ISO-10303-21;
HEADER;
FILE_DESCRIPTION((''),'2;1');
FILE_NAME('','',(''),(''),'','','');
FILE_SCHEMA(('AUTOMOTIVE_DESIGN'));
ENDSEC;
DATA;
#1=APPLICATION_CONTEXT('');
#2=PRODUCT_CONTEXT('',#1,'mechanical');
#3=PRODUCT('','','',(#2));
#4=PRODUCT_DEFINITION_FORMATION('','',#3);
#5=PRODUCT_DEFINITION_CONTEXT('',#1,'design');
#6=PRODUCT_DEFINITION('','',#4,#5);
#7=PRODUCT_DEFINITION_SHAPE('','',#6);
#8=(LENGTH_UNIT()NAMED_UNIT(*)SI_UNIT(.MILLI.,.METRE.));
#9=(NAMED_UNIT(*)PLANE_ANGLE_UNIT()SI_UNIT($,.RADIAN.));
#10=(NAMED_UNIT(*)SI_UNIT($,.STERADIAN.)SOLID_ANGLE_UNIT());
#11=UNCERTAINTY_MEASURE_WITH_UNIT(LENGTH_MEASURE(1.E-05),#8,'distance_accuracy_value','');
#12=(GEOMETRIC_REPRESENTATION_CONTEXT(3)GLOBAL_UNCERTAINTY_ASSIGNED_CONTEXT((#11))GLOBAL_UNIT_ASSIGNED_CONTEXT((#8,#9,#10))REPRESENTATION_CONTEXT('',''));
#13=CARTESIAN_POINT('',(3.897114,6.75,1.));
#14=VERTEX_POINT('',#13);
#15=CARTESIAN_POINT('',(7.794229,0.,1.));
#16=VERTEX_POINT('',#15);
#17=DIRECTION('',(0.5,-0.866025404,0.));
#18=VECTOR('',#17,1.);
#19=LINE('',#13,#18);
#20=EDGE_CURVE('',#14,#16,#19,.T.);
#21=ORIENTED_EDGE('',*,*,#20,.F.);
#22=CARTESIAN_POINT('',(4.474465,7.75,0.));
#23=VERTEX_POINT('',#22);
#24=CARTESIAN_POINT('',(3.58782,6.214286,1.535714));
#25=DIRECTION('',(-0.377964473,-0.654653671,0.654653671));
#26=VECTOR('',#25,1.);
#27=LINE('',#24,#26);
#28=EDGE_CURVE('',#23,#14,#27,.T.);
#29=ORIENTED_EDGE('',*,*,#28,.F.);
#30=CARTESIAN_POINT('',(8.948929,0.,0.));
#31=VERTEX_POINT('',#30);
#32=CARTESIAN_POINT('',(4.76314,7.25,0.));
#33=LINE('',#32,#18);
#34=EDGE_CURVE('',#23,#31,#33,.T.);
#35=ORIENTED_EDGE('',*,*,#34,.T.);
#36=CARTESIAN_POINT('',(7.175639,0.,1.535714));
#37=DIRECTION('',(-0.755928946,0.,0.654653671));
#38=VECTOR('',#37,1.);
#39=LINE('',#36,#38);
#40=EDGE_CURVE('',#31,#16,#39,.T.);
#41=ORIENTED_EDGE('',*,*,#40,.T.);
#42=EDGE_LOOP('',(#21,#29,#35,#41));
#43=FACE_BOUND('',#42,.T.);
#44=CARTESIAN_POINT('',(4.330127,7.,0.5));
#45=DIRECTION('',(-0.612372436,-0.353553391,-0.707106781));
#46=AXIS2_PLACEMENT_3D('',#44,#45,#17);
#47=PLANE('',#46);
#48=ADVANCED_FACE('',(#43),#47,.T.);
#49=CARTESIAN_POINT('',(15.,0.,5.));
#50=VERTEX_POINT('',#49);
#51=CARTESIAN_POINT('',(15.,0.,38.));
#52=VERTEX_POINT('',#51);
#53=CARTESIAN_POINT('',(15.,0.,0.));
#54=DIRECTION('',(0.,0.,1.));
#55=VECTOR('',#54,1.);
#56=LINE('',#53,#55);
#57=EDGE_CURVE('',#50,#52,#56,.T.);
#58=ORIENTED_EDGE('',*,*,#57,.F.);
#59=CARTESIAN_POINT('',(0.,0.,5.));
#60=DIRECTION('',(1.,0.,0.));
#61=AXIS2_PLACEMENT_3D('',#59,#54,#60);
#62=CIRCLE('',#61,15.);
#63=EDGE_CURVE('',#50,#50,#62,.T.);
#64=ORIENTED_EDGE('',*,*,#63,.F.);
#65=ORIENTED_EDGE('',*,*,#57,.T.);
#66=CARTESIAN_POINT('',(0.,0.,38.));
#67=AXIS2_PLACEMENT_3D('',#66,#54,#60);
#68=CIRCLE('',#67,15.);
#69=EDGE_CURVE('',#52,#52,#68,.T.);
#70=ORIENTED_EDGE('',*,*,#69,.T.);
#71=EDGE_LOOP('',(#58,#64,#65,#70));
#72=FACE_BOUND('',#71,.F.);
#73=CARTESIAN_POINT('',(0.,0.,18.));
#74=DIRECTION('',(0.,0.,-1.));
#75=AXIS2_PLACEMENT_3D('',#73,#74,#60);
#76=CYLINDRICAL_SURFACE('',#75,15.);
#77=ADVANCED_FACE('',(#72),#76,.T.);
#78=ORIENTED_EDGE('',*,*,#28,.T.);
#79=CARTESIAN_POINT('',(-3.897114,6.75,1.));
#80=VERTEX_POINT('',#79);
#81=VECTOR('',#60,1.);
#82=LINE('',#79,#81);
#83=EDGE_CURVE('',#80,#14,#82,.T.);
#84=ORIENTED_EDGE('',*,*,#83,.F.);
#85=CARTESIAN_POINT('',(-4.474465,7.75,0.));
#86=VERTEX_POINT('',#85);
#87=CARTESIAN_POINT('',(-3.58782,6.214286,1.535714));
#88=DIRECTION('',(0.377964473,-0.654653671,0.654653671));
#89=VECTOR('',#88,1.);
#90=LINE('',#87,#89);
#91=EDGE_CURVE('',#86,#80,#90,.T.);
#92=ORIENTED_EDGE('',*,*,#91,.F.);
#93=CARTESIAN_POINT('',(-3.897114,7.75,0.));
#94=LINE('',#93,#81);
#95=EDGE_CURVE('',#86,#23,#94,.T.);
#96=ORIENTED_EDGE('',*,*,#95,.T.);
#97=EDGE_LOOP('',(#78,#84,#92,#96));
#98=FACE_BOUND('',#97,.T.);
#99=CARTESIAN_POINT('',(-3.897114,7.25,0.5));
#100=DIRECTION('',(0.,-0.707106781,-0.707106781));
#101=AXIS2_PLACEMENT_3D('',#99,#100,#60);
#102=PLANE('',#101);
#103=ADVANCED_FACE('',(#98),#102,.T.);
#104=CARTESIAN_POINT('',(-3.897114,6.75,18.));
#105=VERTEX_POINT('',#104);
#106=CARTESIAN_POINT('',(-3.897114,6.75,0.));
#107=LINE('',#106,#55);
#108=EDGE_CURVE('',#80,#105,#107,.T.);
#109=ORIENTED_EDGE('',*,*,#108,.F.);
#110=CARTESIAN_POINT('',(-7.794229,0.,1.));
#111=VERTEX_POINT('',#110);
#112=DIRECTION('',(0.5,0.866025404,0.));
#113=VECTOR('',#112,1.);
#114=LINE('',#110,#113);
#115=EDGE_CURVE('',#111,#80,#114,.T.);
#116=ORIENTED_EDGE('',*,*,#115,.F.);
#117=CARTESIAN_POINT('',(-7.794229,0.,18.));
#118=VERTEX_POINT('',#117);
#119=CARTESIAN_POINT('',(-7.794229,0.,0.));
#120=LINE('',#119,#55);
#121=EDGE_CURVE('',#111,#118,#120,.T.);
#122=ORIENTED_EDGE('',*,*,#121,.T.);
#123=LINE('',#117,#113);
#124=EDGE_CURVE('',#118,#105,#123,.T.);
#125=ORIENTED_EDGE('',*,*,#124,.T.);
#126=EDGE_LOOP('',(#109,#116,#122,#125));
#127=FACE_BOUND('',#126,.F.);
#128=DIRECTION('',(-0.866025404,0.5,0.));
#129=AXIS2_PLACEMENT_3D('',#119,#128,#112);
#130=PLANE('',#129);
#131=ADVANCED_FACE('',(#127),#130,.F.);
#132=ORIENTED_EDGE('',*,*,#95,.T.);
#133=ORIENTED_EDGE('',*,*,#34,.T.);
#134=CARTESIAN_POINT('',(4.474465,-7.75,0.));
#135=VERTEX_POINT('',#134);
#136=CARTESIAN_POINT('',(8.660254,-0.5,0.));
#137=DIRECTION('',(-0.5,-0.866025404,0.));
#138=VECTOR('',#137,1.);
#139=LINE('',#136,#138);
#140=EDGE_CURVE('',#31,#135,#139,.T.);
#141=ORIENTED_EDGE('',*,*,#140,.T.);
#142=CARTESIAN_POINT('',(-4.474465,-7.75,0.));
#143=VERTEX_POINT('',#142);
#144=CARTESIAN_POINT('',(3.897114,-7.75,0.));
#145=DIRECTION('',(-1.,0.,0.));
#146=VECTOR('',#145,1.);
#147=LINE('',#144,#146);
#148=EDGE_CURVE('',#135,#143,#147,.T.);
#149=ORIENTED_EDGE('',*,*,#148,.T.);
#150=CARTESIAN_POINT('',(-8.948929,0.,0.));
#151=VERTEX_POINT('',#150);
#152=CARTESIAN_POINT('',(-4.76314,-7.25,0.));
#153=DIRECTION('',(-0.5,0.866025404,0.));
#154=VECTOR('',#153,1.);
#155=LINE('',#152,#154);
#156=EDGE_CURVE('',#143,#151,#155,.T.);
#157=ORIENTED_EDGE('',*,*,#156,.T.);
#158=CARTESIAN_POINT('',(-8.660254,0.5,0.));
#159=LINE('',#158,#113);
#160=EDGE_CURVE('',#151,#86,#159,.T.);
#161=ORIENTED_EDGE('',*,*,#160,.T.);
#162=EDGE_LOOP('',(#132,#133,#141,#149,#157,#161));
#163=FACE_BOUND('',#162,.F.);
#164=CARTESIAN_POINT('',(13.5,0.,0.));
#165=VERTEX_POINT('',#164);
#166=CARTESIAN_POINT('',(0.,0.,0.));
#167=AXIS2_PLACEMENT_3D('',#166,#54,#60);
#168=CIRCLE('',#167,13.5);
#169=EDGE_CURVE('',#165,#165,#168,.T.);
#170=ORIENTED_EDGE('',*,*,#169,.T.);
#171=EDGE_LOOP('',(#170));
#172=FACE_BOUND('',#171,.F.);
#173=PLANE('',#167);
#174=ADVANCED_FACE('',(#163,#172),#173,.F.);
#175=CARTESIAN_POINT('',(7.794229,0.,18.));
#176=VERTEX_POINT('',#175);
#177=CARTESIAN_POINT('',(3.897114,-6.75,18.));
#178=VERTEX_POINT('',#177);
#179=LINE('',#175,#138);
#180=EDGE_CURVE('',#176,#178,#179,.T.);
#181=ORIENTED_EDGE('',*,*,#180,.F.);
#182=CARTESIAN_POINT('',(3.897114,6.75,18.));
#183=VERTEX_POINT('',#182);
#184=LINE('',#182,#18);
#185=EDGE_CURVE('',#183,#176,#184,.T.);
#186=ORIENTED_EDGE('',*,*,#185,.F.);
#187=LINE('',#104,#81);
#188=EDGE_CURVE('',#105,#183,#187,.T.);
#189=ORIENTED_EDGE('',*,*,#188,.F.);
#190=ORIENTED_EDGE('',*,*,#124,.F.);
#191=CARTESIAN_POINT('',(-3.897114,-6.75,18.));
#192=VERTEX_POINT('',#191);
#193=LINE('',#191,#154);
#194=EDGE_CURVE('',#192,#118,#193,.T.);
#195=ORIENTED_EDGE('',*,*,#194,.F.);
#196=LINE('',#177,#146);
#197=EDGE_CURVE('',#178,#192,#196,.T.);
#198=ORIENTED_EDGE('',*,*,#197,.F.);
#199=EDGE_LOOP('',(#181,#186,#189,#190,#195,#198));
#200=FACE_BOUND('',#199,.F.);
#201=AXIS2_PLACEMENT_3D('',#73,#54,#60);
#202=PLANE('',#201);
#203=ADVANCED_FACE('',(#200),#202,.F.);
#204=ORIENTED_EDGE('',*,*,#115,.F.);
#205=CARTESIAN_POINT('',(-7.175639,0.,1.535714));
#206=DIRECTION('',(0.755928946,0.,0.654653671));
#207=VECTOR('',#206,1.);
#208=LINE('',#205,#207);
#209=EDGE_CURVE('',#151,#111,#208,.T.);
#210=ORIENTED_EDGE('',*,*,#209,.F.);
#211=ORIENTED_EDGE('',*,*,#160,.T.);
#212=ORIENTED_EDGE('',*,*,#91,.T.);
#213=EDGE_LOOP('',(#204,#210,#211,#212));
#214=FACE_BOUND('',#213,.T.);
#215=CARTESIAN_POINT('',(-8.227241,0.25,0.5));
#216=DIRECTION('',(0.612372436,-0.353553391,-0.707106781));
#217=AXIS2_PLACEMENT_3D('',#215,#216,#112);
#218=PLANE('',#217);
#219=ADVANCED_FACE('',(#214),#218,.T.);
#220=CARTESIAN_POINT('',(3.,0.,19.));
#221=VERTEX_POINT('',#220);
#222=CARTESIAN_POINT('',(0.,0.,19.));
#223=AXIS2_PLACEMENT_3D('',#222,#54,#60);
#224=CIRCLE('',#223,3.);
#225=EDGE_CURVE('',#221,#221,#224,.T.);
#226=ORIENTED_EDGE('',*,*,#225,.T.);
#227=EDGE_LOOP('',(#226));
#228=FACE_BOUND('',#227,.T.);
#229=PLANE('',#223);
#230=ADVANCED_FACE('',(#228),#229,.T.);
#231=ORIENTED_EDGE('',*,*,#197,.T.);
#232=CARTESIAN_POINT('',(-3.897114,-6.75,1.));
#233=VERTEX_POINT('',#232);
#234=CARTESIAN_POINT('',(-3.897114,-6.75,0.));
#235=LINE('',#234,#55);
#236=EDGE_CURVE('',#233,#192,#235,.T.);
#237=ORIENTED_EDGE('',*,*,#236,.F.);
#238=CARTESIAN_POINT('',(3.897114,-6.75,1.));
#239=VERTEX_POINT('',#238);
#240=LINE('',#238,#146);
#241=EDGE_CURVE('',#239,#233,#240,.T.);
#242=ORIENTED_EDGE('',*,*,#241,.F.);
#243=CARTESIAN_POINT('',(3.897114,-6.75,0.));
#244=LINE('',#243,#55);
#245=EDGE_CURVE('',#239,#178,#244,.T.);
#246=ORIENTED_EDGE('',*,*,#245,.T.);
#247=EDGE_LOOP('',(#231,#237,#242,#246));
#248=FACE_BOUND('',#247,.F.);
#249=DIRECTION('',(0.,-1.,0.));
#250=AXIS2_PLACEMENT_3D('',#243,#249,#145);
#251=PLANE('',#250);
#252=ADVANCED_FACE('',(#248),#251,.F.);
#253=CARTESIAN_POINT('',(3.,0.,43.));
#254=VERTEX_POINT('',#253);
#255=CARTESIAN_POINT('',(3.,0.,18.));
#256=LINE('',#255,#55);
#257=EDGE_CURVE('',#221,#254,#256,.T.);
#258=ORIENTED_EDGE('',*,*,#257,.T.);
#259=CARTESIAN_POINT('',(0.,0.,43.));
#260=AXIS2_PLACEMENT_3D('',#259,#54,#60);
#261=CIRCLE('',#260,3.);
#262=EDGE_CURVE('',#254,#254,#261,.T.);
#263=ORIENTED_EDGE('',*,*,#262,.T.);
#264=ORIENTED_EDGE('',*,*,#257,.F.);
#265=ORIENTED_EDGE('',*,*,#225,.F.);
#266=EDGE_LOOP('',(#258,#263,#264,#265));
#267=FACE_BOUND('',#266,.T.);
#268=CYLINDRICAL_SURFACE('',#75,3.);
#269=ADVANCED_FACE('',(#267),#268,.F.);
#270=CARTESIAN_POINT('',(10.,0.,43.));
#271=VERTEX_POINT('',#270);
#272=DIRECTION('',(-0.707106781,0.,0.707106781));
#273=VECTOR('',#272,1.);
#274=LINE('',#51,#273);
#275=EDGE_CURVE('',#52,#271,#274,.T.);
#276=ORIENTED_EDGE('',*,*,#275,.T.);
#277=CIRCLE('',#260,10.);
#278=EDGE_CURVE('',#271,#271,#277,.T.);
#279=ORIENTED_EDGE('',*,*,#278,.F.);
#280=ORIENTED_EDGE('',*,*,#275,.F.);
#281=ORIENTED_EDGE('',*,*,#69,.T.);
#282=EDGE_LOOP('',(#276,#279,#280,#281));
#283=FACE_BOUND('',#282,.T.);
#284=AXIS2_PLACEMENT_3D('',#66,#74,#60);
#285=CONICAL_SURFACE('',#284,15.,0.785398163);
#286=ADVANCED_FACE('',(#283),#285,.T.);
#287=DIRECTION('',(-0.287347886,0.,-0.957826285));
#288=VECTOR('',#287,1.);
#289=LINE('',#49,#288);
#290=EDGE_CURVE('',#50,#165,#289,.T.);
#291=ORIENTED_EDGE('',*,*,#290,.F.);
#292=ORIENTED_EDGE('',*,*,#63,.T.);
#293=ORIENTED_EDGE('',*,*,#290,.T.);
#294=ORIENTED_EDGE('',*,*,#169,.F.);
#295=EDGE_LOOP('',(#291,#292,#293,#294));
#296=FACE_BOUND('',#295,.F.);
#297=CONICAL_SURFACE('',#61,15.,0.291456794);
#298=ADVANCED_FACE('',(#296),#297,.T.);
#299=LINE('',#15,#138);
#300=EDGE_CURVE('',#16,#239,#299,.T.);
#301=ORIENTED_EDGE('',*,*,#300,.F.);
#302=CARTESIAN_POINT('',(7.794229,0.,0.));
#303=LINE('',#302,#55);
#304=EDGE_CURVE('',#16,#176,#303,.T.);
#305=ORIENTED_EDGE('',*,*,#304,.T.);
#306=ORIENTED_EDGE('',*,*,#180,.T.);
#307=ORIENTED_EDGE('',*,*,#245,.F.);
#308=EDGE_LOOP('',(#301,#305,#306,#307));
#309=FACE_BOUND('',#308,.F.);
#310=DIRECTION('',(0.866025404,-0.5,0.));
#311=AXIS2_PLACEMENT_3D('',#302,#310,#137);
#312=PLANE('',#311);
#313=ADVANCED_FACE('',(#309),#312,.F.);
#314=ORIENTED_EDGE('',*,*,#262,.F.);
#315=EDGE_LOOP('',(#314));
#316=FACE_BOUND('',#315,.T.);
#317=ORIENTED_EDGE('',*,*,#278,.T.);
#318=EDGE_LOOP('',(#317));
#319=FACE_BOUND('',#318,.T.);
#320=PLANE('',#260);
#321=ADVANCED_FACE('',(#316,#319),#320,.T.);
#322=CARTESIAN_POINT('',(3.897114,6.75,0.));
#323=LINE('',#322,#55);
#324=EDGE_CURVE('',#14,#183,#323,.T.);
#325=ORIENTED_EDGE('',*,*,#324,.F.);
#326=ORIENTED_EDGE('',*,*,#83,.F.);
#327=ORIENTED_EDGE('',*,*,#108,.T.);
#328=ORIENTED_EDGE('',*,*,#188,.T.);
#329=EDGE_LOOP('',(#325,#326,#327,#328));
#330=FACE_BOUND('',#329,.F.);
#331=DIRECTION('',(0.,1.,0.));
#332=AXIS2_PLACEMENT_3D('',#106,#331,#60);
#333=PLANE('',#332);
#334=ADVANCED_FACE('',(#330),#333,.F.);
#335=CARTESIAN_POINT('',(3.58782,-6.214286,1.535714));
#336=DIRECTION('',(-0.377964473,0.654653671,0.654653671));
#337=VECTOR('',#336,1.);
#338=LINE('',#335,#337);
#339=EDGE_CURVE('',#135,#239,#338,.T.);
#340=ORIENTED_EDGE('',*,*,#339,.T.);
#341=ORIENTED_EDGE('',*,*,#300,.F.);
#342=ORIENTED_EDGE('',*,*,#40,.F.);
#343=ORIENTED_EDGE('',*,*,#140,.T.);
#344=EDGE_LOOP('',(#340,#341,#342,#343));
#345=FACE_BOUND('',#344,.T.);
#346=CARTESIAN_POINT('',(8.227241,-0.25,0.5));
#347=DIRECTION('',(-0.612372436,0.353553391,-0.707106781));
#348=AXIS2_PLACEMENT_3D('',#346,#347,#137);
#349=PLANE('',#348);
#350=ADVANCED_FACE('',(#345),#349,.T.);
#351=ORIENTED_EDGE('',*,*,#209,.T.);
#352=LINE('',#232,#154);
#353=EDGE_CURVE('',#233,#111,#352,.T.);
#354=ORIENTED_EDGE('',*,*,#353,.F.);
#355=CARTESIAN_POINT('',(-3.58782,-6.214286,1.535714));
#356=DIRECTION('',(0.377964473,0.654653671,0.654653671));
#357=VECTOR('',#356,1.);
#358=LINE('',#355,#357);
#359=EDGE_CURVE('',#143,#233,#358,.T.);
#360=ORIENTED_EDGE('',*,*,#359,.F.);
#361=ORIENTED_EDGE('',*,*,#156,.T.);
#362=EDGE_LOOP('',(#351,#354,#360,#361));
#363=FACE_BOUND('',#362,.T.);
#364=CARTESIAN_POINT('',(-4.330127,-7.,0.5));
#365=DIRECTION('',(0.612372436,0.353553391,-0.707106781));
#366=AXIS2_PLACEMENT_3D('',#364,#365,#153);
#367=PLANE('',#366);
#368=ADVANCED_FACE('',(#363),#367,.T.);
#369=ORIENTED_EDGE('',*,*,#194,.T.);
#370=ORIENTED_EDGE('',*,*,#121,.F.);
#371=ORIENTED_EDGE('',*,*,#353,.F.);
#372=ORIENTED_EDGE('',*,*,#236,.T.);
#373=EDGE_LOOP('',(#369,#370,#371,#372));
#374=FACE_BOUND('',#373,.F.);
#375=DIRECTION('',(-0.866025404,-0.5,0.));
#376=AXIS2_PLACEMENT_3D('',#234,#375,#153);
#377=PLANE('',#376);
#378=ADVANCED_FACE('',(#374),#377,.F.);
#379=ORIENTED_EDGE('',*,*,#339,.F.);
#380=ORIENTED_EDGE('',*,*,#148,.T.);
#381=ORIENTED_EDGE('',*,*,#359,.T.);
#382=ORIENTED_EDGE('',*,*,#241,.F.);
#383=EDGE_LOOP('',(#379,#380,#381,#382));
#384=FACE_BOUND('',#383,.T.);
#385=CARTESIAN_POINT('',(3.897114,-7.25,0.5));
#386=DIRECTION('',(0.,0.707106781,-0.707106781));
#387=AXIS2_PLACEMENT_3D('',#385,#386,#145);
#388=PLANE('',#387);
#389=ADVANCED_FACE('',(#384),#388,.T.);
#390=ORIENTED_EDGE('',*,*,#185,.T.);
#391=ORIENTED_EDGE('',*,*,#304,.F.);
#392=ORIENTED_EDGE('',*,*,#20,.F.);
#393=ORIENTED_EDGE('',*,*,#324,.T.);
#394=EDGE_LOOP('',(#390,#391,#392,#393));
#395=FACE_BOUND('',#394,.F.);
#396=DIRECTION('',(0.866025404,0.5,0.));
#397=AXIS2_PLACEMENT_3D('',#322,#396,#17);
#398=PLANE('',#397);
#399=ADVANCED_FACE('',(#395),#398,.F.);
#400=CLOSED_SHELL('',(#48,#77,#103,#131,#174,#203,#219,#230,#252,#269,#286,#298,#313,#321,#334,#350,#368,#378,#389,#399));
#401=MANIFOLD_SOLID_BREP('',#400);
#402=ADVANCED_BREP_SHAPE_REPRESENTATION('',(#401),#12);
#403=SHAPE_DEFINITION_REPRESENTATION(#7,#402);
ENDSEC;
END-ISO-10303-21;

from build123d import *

# Parameters (mm, degrees)
F0_R     = 15
F1_DEPTH = 18
F2_R     = 15
F2_R_2   = 3
F3_DEPTH = 25
F4_SIZE  = 5
F5_SIZE  = 1
F6_DEPTH = 1
F7_SIZE2 = 1.5
F7_SIZE  = 5


with BuildPart() as f1:
    # F0 (on Top) → F1 (new body)
    with BuildSketch(Plane.XY):
        Circle(F0_R)
        Polygon((-7.7942286341, 0), (-3.897114317, 6.75), (3.897114317, 6.75), (7.7942286341, 0), (3.897114317, -6.75), (-3.897114317, -6.75), align=None, mode=Mode.SUBTRACT)
    extrude(amount=F1_DEPTH)

    # F2 (on face) → F3 (join)
    with BuildSketch(Plane.XY.offset(18)):
        Circle(F2_R)
        Polygon((-3.897114317, -6.75), (-7.7942286341, 0), (-3.897114317, 6.75), (3.897114317, 6.75), (7.7942286341, 0), (3.897114317, -6.75), align=None, mode=Mode.SUBTRACT)
        Polygon((-3.897114317, 6.75), (-7.7942286341, 0), (-3.897114317, -6.75), (3.897114317, -6.75), (7.7942286341, 0), (3.897114317, 6.75), align=None)
        Circle(F2_R_2, mode=Mode.SUBTRACT)
    extrude(amount=F3_DEPTH)

    # F4
    f4_edges = [f1.edges().sort_by_distance(p)[0] for p in [
        (-15, 0, 43),
    ]]
    chamfer(f4_edges, length=F4_SIZE)

    # F5
    f5_edges = [f1.edges().sort_by_distance(p)[0] for p in [
        (0, -6.75, 0),
        (5.845671, -3.375, 0),
        (5.845671, 3.375, 0),
        (0, 6.75, 0),
        (-5.845671, 3.375, 0),
        (-5.845671, -3.375, 0),
    ]]
    chamfer(f5_edges, length=F5_SIZE)

    # F2 (on face) → F6 (join)
    with BuildSketch(Plane.XY.offset(18)):
        Circle(F2_R_2)
    extrude(amount=F6_DEPTH)

    # F7
    f7_edges = [f1.edges().sort_by_distance(p)[0] for p in [
        (-15, 0, 0),
    ]]
    f7_side = f1.faces().sort_by_distance((-15, 0, 19))[0]
    chamfer(f7_edges, length=F7_SIZE, length2=F7_SIZE2, reference=f7_side)


solid = f1.part
